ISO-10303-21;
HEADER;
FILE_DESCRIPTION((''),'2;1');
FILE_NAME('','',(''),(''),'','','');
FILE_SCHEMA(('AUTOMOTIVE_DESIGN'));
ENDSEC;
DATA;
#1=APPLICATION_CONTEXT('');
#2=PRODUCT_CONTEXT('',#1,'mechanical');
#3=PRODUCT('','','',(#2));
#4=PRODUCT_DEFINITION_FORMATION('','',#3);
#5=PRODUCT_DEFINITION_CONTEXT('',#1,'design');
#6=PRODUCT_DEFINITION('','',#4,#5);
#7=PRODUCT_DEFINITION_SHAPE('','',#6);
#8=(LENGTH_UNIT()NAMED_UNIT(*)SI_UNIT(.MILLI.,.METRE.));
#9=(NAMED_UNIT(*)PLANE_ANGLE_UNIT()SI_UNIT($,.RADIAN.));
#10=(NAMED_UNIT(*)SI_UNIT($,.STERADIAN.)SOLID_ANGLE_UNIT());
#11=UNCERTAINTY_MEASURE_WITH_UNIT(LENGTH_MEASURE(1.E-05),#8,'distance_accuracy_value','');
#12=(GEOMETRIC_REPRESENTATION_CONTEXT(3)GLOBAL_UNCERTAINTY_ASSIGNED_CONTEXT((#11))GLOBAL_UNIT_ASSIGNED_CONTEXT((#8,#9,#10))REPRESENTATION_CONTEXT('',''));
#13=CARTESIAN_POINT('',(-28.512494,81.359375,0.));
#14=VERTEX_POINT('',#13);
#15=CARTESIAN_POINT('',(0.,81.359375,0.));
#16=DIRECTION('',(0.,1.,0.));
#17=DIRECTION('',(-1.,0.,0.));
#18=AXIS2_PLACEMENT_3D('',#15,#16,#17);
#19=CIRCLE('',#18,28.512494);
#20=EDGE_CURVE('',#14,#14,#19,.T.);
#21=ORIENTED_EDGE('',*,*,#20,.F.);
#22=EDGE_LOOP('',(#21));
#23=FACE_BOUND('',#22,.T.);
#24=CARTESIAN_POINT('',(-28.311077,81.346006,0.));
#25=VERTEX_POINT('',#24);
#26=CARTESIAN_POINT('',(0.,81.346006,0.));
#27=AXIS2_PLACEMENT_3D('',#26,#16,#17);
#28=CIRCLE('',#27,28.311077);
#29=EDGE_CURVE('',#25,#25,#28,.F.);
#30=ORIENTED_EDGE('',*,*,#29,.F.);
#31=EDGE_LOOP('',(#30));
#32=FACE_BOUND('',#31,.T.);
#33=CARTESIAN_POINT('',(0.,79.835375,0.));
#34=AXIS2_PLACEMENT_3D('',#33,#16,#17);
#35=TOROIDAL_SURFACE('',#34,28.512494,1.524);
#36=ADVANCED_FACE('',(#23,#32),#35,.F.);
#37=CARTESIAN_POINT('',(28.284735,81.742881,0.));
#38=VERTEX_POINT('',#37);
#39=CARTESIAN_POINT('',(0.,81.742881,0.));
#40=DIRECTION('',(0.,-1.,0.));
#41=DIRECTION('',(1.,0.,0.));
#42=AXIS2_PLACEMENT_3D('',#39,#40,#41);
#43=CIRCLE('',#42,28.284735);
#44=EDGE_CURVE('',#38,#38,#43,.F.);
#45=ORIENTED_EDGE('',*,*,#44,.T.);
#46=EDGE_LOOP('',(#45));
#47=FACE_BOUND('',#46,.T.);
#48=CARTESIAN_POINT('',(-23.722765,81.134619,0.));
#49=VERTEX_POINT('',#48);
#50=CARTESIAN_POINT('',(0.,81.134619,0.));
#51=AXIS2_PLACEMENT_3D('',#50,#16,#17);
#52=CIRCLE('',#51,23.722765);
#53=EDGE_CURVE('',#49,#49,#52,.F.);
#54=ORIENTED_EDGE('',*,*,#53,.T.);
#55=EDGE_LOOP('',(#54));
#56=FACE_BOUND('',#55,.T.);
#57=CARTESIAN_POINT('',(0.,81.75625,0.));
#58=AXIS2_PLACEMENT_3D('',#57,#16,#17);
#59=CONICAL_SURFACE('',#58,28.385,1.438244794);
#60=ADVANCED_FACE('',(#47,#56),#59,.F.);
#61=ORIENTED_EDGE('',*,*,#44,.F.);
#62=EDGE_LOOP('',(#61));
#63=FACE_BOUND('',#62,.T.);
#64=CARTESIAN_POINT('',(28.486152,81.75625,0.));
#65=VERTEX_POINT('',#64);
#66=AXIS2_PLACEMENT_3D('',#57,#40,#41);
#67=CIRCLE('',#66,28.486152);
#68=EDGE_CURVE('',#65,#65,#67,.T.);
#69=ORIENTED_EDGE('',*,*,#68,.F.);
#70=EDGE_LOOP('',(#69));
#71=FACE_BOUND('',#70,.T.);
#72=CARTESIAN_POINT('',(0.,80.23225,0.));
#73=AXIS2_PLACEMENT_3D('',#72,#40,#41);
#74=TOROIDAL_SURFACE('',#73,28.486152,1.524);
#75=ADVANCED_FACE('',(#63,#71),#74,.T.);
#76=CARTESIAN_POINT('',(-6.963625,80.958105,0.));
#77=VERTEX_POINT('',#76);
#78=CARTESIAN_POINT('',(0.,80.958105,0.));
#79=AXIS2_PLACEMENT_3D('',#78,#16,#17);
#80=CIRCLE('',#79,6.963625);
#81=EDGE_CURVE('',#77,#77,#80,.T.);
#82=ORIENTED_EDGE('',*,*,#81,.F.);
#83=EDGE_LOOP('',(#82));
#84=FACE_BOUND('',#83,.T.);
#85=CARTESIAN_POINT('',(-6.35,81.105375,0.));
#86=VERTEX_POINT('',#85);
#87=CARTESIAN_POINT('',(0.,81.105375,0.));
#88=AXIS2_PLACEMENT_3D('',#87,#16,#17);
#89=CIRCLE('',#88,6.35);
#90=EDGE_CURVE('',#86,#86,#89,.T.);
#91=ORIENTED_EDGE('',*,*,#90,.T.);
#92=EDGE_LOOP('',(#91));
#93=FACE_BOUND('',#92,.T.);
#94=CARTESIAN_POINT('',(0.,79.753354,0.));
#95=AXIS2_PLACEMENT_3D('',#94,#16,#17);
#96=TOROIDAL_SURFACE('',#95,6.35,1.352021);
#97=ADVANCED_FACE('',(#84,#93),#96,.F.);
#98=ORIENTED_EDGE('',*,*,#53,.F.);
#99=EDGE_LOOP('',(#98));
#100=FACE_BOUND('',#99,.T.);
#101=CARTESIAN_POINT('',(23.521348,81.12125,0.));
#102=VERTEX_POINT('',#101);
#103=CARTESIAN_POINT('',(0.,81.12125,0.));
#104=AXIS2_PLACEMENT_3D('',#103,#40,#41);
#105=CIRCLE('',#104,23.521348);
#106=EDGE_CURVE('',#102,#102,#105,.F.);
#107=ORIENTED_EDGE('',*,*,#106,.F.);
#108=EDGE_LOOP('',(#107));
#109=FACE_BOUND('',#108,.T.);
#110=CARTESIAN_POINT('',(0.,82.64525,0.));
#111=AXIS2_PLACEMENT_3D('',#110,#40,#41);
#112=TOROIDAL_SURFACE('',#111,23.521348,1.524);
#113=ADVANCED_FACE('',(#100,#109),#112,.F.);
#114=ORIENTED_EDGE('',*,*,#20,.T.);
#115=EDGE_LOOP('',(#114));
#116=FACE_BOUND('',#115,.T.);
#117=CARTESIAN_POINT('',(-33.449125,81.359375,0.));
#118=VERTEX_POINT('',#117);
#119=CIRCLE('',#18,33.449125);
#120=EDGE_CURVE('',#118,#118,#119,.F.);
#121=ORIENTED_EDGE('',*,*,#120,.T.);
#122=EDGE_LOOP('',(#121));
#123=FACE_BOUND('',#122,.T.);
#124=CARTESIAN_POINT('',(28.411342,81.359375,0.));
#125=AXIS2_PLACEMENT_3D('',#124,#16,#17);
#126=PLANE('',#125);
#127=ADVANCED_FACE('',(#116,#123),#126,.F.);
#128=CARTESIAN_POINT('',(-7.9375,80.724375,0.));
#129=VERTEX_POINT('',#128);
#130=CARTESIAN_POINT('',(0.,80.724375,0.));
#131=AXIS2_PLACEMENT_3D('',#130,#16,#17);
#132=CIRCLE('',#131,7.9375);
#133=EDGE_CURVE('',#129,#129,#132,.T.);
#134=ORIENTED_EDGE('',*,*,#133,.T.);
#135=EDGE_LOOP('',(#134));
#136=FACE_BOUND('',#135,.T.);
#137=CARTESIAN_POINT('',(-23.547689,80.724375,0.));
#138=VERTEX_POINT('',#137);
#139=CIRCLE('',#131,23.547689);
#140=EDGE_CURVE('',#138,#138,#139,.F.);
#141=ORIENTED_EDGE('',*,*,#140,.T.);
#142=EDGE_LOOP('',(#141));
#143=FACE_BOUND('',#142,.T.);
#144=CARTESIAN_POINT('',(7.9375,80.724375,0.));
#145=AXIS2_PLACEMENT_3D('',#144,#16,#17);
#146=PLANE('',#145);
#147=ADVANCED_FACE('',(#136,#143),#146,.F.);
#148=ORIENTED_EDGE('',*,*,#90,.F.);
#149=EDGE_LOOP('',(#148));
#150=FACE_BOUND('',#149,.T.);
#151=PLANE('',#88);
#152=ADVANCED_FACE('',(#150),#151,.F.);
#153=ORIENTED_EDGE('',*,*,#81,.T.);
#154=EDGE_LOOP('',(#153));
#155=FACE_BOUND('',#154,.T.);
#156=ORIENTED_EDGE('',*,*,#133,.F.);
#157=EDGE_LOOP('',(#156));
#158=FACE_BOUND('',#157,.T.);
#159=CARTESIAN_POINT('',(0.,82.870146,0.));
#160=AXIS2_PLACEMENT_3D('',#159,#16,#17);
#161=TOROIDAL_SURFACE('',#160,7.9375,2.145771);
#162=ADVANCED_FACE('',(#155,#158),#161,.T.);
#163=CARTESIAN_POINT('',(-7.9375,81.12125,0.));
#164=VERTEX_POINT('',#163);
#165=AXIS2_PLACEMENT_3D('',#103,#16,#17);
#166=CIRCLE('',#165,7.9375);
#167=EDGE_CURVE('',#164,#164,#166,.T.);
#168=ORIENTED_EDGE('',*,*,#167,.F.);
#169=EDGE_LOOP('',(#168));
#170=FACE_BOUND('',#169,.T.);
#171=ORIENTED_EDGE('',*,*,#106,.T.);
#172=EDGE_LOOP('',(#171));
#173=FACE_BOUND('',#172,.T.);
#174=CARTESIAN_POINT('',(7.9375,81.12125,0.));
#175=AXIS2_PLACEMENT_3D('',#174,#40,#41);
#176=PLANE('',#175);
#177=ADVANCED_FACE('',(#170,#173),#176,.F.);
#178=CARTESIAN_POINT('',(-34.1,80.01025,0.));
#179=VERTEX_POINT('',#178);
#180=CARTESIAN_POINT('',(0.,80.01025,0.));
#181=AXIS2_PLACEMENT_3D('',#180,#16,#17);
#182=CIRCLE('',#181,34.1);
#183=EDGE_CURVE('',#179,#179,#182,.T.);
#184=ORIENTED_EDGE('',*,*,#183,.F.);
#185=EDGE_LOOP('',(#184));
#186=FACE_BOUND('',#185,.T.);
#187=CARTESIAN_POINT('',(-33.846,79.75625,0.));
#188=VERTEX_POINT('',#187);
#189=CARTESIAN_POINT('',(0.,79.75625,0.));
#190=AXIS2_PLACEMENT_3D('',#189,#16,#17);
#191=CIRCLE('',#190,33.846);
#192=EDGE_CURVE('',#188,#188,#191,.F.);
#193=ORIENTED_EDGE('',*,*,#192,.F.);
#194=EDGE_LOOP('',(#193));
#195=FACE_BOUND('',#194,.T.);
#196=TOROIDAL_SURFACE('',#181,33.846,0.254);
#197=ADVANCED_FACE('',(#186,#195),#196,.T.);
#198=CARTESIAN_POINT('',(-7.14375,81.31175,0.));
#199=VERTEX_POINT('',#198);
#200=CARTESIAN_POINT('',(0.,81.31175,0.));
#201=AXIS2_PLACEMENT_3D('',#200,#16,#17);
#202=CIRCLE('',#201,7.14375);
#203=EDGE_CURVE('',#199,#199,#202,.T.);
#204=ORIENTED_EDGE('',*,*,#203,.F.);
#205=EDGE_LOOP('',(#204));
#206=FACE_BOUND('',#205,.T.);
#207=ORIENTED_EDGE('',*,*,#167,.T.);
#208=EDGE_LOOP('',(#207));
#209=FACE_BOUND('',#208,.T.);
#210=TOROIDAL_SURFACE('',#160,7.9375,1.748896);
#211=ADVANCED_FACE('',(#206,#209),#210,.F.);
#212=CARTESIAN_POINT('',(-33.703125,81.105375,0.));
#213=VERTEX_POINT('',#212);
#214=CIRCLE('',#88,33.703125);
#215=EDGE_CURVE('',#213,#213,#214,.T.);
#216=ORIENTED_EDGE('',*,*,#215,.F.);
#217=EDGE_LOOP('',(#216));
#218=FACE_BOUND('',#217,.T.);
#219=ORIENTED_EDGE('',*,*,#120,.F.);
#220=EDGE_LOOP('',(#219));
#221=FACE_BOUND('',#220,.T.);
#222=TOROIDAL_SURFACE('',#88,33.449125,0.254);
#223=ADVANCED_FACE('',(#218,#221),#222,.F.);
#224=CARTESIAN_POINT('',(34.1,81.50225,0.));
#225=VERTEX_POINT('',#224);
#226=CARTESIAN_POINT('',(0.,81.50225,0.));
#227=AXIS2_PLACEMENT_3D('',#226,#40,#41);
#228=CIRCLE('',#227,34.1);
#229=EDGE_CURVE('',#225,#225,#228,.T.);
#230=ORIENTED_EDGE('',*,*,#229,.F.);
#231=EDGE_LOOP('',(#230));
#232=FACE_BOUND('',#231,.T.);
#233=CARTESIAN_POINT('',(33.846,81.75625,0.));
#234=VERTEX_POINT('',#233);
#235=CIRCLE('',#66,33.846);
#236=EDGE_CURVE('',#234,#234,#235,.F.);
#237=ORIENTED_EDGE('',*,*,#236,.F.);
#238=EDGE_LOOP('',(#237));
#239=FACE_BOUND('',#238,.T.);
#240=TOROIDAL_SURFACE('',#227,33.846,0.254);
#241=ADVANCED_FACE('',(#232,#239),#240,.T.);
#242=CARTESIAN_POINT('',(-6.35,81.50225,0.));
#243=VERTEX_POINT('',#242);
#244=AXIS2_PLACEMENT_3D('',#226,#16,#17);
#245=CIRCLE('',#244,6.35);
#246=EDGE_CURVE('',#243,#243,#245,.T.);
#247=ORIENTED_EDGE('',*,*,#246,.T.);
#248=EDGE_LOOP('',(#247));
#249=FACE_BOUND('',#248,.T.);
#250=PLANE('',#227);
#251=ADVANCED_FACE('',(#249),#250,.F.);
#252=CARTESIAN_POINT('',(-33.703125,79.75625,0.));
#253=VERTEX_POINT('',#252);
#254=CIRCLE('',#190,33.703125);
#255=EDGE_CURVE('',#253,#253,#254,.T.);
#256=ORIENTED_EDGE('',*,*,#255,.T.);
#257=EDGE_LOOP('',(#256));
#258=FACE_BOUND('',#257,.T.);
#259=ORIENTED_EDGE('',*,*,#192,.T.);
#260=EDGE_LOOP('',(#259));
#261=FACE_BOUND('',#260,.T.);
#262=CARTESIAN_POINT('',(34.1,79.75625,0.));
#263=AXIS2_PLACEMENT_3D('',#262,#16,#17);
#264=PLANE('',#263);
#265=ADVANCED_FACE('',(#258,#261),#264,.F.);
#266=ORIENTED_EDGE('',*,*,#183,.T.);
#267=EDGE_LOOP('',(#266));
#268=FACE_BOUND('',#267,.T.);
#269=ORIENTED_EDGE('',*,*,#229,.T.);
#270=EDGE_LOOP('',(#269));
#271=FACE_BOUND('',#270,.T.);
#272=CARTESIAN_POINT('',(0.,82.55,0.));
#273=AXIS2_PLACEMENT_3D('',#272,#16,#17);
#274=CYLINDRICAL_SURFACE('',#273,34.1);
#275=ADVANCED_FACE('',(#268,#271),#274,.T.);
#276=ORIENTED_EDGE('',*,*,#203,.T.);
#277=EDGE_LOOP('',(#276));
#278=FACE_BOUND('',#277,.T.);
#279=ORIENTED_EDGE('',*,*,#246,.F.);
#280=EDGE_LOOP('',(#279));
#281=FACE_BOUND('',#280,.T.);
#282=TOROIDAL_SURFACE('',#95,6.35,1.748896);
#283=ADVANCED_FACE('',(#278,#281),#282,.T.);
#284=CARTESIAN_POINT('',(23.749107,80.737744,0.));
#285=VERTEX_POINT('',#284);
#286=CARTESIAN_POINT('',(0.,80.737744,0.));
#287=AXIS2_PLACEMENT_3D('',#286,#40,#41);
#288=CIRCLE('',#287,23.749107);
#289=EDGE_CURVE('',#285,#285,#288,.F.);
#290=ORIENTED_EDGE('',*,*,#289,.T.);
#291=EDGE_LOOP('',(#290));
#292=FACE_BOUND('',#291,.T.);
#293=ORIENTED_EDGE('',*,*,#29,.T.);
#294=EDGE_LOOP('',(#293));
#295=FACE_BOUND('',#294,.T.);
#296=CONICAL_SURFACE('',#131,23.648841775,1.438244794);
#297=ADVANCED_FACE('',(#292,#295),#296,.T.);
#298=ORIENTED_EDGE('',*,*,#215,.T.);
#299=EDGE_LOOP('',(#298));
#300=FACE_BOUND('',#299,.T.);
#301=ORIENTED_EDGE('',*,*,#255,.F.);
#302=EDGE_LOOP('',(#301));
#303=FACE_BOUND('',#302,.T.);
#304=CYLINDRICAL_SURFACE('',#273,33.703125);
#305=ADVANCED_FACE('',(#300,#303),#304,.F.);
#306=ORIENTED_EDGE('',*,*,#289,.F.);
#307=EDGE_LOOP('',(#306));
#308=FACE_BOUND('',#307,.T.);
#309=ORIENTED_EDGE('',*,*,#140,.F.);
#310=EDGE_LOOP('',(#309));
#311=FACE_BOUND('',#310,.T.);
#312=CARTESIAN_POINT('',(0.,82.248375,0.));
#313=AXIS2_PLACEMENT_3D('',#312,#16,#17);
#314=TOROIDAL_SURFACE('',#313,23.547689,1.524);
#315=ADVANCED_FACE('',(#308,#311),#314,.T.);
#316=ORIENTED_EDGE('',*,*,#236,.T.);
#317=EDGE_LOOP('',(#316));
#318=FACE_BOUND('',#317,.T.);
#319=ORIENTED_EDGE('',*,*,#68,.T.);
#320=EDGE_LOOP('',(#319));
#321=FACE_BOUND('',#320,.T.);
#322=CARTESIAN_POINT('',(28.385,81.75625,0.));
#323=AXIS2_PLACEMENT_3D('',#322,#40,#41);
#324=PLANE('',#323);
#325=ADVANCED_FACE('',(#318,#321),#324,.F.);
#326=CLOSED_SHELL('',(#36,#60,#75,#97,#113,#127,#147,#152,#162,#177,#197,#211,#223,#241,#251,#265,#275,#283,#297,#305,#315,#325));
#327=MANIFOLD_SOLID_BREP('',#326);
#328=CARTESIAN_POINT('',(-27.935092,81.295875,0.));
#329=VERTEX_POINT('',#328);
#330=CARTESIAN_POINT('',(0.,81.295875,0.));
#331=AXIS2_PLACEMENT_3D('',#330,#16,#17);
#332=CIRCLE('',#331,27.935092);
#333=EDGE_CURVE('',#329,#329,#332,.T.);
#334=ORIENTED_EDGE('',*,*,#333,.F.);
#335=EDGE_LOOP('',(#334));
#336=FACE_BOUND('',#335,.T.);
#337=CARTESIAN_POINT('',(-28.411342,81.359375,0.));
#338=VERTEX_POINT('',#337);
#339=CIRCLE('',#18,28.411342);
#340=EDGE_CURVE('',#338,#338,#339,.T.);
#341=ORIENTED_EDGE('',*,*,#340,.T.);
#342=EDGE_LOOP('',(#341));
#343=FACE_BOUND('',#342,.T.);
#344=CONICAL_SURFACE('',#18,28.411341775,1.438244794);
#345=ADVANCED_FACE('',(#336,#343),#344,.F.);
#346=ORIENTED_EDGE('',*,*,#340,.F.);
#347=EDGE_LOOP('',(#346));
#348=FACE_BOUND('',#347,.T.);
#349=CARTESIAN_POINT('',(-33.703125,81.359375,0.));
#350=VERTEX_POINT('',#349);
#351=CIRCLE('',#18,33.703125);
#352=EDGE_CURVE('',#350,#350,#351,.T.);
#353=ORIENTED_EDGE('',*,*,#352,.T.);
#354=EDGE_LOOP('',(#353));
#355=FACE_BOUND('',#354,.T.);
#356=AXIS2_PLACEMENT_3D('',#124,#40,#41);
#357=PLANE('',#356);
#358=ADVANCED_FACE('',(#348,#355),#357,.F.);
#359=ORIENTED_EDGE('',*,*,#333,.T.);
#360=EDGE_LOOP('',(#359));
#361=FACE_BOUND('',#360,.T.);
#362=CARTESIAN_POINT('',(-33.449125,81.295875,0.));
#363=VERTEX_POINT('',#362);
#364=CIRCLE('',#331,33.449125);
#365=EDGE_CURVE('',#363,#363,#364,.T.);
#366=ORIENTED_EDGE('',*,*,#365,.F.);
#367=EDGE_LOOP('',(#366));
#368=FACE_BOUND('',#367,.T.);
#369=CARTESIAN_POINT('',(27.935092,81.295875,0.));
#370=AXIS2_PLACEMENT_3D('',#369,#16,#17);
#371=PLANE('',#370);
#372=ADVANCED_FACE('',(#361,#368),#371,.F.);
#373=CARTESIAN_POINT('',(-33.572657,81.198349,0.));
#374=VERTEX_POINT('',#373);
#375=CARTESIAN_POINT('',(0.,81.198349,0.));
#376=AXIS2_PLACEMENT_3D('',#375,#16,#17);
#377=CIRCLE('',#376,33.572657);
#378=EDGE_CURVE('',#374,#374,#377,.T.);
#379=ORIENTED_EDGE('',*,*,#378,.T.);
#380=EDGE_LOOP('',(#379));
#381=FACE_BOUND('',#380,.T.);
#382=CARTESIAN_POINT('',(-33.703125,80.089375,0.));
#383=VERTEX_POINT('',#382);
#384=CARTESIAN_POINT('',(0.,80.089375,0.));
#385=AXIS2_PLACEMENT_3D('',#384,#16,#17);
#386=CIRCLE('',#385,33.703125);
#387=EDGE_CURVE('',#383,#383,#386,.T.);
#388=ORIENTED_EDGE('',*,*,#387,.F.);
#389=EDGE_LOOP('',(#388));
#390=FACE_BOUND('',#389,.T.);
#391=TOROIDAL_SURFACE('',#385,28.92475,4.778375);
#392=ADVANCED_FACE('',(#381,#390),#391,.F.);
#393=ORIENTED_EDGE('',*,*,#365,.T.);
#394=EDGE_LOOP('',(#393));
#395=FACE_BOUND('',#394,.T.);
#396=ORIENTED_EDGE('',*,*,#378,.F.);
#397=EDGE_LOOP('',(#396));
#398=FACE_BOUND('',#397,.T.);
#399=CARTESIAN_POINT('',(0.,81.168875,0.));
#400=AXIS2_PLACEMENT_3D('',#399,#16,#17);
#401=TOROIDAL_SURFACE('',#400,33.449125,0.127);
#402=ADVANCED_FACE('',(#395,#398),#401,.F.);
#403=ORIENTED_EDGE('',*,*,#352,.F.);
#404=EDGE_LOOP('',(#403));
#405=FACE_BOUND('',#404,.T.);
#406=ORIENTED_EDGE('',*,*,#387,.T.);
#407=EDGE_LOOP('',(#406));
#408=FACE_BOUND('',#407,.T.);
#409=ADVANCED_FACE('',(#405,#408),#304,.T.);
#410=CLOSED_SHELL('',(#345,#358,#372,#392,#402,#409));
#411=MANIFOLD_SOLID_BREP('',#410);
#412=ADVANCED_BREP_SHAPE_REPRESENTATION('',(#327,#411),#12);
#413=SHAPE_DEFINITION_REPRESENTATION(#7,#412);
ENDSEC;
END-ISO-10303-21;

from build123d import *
from OCP.BRepFilletAPI import BRepFilletAPI_MakeFillet

# Parameters (mm, degrees)
FILLET16_R1 = 1.524
FILLET16_R2 = 0.254


with BuildPart() as part:
    # Sketch7041 → Revolve5 (revolve)
    with BuildSketch(Plane.XY):
        with BuildLine():
            Line((0, 81.50225), (6.35, 81.50225))
            ThreePointArc((6.35, 81.50225), (6.758144984, 81.453958267), (7.14375, 81.31175))
            ThreePointArc((7.14375, 81.31175), (7.529355016, 81.169541733), (7.9375, 81.12125))
            Line((7.9375, 81.12125), (23.6225, 81.12125))
            Line((23.6225, 81.12125), (28.385, 81.75625))
            Line((28.385, 81.75625), (34.1, 81.75625))
            Line((34.1, 81.75625), (34.1, 79.75625))
            Line((34.1, 79.75625), (33.703125, 79.75625))
            Line((33.703125, 79.75625), (33.703125, 81.359375))
            Line((33.703125, 81.359375), (28.411341775, 81.359375))
            Line((28.411341775, 81.359375), (23.648841775, 80.724375))
            Line((23.648841775, 80.724375), (7.9375, 80.724375))
            ThreePointArc((7.9375, 80.724375), (7.436735125, 80.783625522), (6.963625189, 80.958104955))
            ThreePointArc((6.963625189, 80.958104955), (6.665525094, 81.068042057), (6.35, 81.105375))
            Line((6.35, 81.105375), (0, 81.105375))
            Line((0, 81.105375), (0, 81.50225))
        make_face()
    revolve(axis=Axis((0, 82.55, 0), (0, -1, 0)))

    # Fillet16: one fillet with a radius per group of edges: ONE call of the kernel's fillet builder (fillet() takes one radius for all edges)
    fillet16_edges_1 = [part.edges().sort_by_distance(p)[0] for p in [
        (-23.6225, 81.12125, 0),
        (-28.385, 81.75625, 0),
        (-23.648841775, 80.724375, 0),
        (-28.411341775, 81.359375, 0),
    ]]
    fillet16_edges_2 = [part.edges().sort_by_distance(p)[0] for p in [
        (-34.1, 81.75625, 0),
        (-33.703125, 81.359375, 0),
        (-34.1, 79.75625, 0),
    ]]
    fillet16 = BRepFilletAPI_MakeFillet(part.part.solid().wrapped)
    for e in fillet16_edges_1:
        fillet16.Add(FILLET16_R1, e.wrapped)
    for e in fillet16_edges_2:
        fillet16.Add(FILLET16_R2, e.wrapped)
    add(Compound.cast(fillet16.Shape()), mode=Mode.REPLACE)


with BuildPart() as body_2:
    # Sketch7042 → Revolve6 (revolve)
    with BuildSketch(Plane.XY):
        with BuildLine():
            Line((27.935091775, 81.295875), (33.449125, 81.295875))
            ThreePointArc((33.449125, 81.295875), (33.527819825, 81.268555111), (33.572657423, 81.198349403))
            ThreePointArc((33.572657423, 81.198349403), (33.670396019, 80.647686296), (33.703125, 80.089375))
            Line((33.703125, 80.089375), (33.703125, 81.359375))
            Line((33.703125, 81.359375), (28.411341775, 81.359375))
            Line((28.411341775, 81.359375), (27.935091775, 81.295875))
        make_face()
    revolve(axis=Axis((0, 82.55, 0), (0, -1, 0)))


solid = Compound([part.part, body_2.part])
